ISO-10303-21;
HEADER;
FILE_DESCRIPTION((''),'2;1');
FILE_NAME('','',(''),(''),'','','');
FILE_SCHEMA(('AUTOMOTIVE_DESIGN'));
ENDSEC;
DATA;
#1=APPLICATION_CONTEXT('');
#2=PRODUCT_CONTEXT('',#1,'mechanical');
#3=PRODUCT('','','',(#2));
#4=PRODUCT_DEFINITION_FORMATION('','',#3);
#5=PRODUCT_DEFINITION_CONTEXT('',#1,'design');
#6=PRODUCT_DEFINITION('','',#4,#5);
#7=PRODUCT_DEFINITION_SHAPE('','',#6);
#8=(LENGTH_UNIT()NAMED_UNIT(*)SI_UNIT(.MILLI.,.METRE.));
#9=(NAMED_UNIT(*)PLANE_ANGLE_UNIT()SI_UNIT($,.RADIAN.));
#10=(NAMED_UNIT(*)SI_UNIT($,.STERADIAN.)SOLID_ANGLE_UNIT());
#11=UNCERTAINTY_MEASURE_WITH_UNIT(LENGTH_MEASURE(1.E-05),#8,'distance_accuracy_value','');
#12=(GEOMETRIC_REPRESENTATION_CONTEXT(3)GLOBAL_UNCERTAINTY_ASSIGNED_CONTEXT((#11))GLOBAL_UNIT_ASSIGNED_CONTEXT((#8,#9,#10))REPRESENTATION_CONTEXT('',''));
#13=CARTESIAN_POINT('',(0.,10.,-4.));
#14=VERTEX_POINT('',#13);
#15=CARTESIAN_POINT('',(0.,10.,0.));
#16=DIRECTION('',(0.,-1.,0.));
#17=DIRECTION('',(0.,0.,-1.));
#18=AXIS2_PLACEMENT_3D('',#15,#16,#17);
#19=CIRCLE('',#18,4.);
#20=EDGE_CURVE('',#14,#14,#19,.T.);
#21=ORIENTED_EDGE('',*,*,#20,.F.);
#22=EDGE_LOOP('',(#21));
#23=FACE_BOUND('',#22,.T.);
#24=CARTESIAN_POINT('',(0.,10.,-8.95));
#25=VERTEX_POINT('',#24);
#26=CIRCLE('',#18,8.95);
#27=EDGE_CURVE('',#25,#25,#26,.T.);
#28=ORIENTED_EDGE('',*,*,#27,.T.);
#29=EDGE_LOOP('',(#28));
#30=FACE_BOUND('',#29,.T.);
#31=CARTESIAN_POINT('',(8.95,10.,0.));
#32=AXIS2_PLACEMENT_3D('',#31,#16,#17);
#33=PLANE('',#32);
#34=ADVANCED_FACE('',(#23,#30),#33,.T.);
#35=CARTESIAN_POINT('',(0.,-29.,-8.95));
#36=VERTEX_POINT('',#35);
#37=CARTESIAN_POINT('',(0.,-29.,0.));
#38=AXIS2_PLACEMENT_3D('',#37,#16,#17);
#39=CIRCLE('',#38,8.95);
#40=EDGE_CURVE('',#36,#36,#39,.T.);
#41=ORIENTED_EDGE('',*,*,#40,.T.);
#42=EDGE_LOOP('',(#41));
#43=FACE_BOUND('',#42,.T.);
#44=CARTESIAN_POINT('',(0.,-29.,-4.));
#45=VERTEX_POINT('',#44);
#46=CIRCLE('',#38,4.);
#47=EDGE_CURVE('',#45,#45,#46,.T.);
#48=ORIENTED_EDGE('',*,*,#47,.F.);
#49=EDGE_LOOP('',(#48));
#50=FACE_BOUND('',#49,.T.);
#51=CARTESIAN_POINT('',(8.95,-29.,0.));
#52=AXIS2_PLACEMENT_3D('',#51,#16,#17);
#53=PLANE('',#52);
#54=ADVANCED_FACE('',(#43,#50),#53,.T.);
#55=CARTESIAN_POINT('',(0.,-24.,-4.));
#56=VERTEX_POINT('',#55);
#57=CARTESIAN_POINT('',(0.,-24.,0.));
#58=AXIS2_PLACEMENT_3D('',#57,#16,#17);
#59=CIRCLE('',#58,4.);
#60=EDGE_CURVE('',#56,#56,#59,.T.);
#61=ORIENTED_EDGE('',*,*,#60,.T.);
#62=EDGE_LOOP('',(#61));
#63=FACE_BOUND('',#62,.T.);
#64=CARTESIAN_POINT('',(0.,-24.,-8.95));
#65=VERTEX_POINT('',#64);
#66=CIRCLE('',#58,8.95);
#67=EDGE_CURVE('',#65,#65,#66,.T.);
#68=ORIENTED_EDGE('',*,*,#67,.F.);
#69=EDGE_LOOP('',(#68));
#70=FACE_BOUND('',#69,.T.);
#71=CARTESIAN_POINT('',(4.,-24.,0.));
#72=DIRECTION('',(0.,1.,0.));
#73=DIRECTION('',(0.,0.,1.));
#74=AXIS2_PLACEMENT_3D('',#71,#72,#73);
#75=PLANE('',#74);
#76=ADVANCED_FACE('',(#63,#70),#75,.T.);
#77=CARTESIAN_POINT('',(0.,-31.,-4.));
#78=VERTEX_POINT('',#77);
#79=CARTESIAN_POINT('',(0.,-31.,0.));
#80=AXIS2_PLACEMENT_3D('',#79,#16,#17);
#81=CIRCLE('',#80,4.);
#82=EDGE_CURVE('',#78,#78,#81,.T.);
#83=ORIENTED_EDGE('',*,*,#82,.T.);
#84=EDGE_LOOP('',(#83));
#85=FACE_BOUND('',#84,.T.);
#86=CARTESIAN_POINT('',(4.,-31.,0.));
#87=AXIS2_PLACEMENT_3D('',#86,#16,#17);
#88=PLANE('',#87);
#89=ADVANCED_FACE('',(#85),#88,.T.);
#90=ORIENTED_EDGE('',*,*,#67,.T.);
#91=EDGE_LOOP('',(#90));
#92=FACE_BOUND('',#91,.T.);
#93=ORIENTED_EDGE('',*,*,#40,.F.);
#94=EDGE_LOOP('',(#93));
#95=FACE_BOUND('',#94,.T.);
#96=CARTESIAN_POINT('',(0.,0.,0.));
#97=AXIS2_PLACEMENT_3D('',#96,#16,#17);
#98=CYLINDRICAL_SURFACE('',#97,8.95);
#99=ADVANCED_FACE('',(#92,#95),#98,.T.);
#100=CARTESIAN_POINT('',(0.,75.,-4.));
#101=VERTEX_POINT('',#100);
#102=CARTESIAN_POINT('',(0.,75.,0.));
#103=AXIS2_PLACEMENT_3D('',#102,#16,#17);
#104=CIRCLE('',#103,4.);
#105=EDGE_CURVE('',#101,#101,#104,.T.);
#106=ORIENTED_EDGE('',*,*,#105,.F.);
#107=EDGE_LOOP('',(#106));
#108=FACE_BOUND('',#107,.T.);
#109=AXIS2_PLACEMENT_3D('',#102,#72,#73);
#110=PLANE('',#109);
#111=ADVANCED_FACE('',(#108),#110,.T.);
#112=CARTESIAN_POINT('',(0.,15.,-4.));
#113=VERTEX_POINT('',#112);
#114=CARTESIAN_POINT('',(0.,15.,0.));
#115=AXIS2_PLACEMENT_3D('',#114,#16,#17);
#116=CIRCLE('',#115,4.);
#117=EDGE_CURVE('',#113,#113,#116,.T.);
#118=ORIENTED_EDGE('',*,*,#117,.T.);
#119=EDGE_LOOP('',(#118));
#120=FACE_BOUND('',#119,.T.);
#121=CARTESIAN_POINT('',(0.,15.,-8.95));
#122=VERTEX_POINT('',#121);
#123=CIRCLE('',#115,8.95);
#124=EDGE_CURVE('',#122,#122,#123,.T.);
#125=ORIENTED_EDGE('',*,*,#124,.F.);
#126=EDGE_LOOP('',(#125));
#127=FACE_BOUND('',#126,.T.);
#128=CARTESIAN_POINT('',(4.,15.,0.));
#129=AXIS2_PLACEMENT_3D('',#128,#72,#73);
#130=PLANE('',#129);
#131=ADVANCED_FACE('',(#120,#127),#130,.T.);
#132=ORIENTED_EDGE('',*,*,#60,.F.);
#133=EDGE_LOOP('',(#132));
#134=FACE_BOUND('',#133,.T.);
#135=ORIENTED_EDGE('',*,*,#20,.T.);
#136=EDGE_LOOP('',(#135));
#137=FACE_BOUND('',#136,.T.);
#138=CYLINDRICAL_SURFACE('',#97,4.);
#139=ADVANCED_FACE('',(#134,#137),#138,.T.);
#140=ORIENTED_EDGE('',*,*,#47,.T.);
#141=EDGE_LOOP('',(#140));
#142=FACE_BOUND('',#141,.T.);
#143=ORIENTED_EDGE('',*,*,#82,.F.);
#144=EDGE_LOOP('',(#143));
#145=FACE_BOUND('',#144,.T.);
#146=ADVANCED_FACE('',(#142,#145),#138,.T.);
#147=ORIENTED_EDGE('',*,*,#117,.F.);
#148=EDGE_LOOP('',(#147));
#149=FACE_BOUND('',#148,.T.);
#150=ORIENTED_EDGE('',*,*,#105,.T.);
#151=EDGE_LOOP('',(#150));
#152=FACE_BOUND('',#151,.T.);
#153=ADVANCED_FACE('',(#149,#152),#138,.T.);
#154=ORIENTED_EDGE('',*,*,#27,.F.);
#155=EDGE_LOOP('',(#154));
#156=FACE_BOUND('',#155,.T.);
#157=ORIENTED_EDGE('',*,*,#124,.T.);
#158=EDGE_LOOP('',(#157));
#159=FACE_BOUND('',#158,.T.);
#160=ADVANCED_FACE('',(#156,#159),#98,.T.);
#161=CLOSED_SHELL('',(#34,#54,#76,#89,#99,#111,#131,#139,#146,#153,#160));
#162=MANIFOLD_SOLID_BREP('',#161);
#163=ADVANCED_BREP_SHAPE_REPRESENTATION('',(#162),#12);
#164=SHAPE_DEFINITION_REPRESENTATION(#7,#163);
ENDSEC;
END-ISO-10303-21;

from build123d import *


with BuildPart() as part:
    # Esboço1 → Revolução1 (revolve)
    with BuildSketch(Plane.XY):
        Polygon((0, 75), (4, 75), (4, 15), (8.95, 15), (8.95, 10), (4, 10), (4, -24), (8.95, -24), (8.95, -29), (4, -29), (4, -31), (0, -31), align=None)
    revolve(axis=Axis((0, 0, 0), (0, 1, 0)))


solid = part.part
